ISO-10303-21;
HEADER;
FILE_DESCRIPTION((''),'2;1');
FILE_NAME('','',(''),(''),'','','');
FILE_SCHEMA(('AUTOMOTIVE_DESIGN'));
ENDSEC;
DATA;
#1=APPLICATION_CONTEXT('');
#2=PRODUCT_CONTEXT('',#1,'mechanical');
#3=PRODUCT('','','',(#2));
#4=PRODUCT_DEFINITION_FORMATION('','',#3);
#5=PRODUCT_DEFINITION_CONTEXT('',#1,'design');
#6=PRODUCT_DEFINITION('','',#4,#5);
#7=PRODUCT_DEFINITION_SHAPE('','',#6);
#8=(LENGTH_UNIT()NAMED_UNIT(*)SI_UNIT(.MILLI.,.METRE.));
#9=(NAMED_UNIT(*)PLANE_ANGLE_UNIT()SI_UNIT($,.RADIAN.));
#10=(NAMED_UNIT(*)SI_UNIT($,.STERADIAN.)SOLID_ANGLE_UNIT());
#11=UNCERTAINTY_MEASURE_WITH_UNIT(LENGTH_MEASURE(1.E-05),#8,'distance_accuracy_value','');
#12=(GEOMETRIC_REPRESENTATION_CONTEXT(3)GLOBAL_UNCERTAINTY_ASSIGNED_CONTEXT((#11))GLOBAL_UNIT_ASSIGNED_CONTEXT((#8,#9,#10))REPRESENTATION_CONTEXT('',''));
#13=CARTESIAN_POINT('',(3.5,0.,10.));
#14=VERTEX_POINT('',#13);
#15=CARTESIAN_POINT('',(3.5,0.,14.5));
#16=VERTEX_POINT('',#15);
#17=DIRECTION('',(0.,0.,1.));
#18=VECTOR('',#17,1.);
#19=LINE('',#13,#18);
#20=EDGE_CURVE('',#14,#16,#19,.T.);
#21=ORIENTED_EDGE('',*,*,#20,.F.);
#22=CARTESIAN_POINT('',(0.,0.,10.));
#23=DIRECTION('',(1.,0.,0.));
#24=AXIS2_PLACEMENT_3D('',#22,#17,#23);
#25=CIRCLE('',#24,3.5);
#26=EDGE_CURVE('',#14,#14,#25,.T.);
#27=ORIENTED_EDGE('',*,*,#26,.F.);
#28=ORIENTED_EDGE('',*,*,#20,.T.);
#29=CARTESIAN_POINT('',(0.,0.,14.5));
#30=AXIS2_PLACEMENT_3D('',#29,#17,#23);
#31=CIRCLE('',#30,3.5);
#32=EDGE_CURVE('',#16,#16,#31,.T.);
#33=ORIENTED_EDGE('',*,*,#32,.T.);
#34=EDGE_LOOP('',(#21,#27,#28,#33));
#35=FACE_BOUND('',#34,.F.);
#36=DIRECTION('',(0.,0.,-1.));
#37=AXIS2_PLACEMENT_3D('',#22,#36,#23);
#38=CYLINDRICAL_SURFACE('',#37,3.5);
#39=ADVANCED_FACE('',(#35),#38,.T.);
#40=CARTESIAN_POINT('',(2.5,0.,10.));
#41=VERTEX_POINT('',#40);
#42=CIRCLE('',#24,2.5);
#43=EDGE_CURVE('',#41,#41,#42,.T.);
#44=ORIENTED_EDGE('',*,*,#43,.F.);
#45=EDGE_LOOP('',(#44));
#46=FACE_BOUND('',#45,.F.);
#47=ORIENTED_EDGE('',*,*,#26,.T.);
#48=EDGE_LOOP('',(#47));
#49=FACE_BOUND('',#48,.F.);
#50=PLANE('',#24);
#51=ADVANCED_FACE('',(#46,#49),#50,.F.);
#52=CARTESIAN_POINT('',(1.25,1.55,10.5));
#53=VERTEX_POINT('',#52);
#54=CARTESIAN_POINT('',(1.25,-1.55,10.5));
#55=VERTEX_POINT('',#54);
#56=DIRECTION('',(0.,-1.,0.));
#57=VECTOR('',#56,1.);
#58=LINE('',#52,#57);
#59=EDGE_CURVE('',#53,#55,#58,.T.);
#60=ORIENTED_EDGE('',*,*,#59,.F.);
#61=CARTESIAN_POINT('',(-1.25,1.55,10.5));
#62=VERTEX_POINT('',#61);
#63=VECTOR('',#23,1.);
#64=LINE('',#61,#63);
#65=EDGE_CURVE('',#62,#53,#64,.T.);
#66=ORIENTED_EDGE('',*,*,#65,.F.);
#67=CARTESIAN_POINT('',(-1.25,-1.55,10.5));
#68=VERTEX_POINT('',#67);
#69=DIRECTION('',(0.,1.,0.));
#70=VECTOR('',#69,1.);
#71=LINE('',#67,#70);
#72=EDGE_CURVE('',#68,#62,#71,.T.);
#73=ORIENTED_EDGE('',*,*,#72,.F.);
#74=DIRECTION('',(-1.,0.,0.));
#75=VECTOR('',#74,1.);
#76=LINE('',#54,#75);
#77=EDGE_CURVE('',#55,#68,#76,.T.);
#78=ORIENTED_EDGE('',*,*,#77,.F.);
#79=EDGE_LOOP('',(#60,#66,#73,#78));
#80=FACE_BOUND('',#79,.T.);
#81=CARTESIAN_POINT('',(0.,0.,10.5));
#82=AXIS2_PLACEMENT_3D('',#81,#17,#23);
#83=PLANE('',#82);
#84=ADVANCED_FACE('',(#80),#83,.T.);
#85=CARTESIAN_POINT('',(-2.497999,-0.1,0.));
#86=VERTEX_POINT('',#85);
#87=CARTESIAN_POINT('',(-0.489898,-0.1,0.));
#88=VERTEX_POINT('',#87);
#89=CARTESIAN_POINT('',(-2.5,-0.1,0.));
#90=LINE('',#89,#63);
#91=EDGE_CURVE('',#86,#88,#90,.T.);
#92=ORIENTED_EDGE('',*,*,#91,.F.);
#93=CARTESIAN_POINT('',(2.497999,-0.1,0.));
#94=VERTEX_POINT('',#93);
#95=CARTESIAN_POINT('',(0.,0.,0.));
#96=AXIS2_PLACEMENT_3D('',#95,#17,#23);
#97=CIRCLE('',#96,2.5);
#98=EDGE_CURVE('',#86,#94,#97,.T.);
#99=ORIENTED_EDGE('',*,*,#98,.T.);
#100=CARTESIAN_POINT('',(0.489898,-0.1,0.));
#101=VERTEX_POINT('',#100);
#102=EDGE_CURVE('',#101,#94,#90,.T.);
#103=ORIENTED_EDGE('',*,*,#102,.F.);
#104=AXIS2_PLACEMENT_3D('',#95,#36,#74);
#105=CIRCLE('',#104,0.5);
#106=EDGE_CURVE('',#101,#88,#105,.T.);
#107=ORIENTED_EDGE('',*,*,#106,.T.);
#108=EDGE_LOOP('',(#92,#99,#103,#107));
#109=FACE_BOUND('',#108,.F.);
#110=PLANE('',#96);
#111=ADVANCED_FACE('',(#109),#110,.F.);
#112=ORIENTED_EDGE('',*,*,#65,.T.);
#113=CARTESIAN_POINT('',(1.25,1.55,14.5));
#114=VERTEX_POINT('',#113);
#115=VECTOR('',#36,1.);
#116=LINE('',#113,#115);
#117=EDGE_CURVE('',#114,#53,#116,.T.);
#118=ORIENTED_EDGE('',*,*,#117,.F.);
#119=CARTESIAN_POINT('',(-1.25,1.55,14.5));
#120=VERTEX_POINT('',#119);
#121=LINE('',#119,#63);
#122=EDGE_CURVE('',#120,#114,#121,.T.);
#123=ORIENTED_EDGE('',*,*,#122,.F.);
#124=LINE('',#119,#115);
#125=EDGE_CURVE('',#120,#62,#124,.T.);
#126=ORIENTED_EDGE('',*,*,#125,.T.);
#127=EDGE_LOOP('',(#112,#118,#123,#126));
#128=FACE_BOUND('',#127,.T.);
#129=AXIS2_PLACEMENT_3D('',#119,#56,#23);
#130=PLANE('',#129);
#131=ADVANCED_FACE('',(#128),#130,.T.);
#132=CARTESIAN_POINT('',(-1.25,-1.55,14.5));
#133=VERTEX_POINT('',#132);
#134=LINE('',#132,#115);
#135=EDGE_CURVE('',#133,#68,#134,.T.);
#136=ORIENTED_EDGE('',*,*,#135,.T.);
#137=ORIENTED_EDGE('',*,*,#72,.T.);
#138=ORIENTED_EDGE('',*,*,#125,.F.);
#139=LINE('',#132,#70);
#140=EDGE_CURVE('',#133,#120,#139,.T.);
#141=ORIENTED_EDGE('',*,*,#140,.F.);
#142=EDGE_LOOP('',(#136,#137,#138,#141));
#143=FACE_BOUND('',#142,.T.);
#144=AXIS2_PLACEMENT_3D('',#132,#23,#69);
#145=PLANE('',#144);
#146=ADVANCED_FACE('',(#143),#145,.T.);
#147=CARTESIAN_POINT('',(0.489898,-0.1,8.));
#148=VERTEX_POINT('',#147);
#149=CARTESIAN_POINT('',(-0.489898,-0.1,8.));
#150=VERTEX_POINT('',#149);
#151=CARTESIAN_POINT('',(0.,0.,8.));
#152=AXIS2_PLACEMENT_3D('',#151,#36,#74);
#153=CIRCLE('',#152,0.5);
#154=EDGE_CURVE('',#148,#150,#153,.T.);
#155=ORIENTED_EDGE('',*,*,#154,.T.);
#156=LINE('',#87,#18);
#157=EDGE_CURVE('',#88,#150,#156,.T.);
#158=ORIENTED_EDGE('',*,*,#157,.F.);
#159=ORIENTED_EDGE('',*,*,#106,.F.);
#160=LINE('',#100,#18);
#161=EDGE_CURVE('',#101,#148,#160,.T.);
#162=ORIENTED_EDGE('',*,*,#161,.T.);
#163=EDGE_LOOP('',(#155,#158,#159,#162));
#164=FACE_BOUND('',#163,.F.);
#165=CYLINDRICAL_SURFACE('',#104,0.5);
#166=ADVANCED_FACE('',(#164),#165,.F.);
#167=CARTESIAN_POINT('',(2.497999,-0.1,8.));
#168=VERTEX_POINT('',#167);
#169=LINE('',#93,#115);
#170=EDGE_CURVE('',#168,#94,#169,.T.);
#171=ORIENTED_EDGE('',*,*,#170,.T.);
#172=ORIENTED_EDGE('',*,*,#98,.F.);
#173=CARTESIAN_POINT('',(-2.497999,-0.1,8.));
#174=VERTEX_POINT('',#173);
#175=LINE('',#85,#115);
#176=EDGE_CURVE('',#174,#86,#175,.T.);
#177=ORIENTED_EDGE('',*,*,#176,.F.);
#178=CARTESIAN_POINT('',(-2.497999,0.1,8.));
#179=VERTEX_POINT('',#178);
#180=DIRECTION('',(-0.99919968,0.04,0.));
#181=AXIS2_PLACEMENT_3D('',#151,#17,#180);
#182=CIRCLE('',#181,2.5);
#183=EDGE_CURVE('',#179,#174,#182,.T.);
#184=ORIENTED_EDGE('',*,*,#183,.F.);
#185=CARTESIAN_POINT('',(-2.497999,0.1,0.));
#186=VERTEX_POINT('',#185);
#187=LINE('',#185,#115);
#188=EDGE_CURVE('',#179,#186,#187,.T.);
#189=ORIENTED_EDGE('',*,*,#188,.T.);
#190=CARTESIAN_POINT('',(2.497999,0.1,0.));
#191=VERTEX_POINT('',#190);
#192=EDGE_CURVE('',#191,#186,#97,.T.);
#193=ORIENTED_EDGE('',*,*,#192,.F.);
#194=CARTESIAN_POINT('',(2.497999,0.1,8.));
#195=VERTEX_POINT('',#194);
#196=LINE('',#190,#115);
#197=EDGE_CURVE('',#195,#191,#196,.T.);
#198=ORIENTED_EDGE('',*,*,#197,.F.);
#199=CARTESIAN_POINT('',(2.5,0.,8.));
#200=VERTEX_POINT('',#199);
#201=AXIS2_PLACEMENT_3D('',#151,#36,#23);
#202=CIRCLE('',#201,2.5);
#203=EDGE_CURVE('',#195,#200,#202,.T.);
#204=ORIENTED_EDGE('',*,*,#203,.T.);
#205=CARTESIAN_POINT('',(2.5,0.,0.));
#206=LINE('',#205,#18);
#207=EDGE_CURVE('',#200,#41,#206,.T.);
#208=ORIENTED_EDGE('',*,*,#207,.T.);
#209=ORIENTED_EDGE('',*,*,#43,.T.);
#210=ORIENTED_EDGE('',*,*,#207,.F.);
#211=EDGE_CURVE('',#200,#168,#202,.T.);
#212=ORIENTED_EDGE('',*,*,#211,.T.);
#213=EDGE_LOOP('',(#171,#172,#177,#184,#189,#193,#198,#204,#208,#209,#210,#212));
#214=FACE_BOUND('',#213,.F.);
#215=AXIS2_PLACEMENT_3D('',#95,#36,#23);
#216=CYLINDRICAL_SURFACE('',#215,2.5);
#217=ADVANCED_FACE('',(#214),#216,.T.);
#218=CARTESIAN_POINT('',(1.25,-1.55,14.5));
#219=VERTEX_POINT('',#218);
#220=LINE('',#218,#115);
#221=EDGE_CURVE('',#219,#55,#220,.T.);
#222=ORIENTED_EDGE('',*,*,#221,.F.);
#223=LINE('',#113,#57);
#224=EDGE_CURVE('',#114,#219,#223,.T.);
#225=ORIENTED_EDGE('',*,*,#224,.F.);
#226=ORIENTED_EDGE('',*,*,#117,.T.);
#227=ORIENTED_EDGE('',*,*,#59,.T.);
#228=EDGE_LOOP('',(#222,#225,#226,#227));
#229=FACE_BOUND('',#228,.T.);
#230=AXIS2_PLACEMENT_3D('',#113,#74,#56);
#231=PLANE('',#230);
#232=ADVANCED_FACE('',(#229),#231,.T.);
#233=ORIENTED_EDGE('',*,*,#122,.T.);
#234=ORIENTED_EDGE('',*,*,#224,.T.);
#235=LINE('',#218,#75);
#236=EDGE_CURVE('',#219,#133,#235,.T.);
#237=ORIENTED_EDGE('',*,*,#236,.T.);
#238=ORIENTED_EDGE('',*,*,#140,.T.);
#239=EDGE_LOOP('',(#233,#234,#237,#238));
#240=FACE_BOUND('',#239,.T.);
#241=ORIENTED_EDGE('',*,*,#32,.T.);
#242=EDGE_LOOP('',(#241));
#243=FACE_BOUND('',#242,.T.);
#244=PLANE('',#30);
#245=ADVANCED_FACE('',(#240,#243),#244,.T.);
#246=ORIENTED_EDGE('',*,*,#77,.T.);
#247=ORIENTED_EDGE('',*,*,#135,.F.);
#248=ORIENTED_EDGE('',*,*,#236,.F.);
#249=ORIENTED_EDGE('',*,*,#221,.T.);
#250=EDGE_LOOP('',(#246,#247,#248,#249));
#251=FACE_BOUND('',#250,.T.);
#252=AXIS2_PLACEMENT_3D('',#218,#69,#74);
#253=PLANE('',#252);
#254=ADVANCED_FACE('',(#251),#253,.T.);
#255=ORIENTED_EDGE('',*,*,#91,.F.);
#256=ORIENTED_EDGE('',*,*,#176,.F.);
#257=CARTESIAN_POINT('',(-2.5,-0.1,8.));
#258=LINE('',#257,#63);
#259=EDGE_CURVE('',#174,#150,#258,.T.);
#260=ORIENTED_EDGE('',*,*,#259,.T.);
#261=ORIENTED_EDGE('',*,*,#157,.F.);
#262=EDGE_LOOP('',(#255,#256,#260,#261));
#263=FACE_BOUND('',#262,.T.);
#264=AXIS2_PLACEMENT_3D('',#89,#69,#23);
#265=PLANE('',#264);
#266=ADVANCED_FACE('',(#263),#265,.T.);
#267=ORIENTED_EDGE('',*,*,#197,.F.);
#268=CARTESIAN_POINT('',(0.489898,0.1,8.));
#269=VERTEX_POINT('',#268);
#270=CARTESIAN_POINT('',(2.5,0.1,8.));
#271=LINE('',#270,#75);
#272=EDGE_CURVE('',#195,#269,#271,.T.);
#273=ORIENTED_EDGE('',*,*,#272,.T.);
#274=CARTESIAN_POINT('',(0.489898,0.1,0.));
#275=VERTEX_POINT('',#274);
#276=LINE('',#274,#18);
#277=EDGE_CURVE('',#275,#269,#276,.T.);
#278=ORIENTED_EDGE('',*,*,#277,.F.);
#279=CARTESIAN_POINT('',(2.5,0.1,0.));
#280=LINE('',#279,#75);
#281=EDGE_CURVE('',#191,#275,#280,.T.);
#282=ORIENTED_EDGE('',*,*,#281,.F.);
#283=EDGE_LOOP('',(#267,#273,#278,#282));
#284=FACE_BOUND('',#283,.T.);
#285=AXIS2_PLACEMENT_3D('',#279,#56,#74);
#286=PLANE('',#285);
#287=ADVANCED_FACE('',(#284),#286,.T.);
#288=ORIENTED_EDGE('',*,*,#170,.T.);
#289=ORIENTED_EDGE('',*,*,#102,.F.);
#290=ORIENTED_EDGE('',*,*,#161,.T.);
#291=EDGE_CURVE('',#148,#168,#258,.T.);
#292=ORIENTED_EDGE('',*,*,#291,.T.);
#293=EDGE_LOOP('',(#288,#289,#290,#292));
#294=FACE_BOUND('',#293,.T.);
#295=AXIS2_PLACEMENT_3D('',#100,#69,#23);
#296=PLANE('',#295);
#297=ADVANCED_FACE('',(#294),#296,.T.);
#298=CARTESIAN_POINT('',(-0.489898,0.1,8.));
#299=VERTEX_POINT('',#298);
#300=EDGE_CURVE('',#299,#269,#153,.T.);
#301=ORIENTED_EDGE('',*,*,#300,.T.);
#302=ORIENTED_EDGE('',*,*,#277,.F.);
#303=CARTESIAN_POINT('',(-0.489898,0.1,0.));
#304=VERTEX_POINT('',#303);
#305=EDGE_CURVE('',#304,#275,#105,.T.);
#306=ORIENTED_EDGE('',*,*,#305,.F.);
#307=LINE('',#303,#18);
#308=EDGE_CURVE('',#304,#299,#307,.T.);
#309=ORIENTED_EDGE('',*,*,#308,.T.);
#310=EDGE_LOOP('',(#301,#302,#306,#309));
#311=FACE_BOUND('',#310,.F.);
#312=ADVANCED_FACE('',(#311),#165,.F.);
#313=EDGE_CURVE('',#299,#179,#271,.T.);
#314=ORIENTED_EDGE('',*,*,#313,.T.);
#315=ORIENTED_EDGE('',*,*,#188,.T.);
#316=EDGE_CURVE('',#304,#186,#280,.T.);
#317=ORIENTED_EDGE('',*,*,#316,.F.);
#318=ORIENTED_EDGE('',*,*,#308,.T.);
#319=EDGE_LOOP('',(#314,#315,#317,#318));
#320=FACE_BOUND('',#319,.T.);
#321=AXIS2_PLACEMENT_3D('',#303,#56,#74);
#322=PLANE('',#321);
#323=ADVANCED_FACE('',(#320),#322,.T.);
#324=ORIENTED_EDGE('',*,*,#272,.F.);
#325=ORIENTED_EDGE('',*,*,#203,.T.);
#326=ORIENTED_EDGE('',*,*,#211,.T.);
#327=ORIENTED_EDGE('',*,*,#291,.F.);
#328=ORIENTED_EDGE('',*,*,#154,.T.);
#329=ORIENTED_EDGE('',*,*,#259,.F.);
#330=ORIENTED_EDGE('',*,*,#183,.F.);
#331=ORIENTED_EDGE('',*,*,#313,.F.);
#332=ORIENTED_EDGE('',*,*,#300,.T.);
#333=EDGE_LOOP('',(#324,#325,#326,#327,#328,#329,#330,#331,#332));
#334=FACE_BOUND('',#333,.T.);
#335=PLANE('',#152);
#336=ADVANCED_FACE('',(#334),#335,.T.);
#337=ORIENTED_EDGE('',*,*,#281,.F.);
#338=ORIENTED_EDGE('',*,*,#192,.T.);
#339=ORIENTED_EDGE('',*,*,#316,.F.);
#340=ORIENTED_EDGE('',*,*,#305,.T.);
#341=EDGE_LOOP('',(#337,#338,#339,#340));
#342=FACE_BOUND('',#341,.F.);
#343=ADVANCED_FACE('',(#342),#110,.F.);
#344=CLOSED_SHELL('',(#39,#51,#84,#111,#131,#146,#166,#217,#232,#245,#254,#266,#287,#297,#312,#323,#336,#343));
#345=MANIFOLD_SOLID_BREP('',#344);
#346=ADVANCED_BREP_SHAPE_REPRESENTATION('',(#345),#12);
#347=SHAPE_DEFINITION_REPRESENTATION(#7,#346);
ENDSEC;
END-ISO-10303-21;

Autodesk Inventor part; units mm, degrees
ref_plane "YZ Plane" through (0, 0, 0) normal (1, 0, 0) x (0, 1, 0)
ref_plane "XZ Plane" through (0, 0, 0) normal (0, 1, 0) x (-1, 0, 0)
ref_plane "XY Plane" through (0, 0, 0) normal (0, 0, 1) x (1, 0, 0)
sketch "Sketch1" plane through (0, 0, 0) normal (0, 0, 1) x (1, 0, 0)
  circle A0 centre (0, 0) radius 2.5
  dimension "d0" = 5
extrude "Extrusion1" add sketch "Sketch1" along normal blind 10
sketch "Sketch2" plane through (0, 0, 10) normal (0, 0, 1) x (1, 0, 0)
  circle A0 centre (0, 0) radius 3.5
  dimension "d3" = 7
extrude "Extrusion2" add sketch "Sketch2" along normal blind 4.5
sketch "Sketch3" plane through (0, 0, 14.5) normal (0, 0, 1) x (1, 0, 0)
  line L0 (-1.25, 1.55) -> (1.25, 1.55)
  line L1 (1.25, 1.55) -> (1.25, -1.55)
  line L2 (1.25, -1.55) -> (-1.25, -1.55)
  line L3 (-1.25, -1.55) -> (-1.25, 1.55)
  point P0 (0, 0)
  point P1 (-1.25, 0)
  point P2 (0, 1.55)
  dimension "d6" = 2.5
  dimension "d7" = 3.1
extrude "Extrusion3" cut sketch "Sketch3" against normal blind 4
sketch "Sketch4" plane through (0, 0, 0) normal (0, 0, -1) x (-1, 0, 0)
  circle A0 centre (0, 0) radius 0.5
  line L0 (2.5, -0.1) -> (-2.5, -0.1)
  line L1 (-2.5, -0.1) -> (-2.5, 0.1)
  line L2 (-2.5, 0.1) -> (2.5, 0.1)
  line L3 (2.5, 0.1) -> (2.5, -0.1)
  point P0 (0, -0.1)
  point P1 (2.5, 0)
  point P2 (-0.4899, 0.1)
  point P3 (-0.4899, -0.1)
  point P4 (0.4899, -0.1)
  point P5 (0.4899, 0.1)
  dimension "d10" = 1
  dimension "d11" = 5
  dimension "d12" = 0.2
extrude "Extrusion4" cut sketch "Sketch4" against normal blind 8
properties part number "Magnethalter"
